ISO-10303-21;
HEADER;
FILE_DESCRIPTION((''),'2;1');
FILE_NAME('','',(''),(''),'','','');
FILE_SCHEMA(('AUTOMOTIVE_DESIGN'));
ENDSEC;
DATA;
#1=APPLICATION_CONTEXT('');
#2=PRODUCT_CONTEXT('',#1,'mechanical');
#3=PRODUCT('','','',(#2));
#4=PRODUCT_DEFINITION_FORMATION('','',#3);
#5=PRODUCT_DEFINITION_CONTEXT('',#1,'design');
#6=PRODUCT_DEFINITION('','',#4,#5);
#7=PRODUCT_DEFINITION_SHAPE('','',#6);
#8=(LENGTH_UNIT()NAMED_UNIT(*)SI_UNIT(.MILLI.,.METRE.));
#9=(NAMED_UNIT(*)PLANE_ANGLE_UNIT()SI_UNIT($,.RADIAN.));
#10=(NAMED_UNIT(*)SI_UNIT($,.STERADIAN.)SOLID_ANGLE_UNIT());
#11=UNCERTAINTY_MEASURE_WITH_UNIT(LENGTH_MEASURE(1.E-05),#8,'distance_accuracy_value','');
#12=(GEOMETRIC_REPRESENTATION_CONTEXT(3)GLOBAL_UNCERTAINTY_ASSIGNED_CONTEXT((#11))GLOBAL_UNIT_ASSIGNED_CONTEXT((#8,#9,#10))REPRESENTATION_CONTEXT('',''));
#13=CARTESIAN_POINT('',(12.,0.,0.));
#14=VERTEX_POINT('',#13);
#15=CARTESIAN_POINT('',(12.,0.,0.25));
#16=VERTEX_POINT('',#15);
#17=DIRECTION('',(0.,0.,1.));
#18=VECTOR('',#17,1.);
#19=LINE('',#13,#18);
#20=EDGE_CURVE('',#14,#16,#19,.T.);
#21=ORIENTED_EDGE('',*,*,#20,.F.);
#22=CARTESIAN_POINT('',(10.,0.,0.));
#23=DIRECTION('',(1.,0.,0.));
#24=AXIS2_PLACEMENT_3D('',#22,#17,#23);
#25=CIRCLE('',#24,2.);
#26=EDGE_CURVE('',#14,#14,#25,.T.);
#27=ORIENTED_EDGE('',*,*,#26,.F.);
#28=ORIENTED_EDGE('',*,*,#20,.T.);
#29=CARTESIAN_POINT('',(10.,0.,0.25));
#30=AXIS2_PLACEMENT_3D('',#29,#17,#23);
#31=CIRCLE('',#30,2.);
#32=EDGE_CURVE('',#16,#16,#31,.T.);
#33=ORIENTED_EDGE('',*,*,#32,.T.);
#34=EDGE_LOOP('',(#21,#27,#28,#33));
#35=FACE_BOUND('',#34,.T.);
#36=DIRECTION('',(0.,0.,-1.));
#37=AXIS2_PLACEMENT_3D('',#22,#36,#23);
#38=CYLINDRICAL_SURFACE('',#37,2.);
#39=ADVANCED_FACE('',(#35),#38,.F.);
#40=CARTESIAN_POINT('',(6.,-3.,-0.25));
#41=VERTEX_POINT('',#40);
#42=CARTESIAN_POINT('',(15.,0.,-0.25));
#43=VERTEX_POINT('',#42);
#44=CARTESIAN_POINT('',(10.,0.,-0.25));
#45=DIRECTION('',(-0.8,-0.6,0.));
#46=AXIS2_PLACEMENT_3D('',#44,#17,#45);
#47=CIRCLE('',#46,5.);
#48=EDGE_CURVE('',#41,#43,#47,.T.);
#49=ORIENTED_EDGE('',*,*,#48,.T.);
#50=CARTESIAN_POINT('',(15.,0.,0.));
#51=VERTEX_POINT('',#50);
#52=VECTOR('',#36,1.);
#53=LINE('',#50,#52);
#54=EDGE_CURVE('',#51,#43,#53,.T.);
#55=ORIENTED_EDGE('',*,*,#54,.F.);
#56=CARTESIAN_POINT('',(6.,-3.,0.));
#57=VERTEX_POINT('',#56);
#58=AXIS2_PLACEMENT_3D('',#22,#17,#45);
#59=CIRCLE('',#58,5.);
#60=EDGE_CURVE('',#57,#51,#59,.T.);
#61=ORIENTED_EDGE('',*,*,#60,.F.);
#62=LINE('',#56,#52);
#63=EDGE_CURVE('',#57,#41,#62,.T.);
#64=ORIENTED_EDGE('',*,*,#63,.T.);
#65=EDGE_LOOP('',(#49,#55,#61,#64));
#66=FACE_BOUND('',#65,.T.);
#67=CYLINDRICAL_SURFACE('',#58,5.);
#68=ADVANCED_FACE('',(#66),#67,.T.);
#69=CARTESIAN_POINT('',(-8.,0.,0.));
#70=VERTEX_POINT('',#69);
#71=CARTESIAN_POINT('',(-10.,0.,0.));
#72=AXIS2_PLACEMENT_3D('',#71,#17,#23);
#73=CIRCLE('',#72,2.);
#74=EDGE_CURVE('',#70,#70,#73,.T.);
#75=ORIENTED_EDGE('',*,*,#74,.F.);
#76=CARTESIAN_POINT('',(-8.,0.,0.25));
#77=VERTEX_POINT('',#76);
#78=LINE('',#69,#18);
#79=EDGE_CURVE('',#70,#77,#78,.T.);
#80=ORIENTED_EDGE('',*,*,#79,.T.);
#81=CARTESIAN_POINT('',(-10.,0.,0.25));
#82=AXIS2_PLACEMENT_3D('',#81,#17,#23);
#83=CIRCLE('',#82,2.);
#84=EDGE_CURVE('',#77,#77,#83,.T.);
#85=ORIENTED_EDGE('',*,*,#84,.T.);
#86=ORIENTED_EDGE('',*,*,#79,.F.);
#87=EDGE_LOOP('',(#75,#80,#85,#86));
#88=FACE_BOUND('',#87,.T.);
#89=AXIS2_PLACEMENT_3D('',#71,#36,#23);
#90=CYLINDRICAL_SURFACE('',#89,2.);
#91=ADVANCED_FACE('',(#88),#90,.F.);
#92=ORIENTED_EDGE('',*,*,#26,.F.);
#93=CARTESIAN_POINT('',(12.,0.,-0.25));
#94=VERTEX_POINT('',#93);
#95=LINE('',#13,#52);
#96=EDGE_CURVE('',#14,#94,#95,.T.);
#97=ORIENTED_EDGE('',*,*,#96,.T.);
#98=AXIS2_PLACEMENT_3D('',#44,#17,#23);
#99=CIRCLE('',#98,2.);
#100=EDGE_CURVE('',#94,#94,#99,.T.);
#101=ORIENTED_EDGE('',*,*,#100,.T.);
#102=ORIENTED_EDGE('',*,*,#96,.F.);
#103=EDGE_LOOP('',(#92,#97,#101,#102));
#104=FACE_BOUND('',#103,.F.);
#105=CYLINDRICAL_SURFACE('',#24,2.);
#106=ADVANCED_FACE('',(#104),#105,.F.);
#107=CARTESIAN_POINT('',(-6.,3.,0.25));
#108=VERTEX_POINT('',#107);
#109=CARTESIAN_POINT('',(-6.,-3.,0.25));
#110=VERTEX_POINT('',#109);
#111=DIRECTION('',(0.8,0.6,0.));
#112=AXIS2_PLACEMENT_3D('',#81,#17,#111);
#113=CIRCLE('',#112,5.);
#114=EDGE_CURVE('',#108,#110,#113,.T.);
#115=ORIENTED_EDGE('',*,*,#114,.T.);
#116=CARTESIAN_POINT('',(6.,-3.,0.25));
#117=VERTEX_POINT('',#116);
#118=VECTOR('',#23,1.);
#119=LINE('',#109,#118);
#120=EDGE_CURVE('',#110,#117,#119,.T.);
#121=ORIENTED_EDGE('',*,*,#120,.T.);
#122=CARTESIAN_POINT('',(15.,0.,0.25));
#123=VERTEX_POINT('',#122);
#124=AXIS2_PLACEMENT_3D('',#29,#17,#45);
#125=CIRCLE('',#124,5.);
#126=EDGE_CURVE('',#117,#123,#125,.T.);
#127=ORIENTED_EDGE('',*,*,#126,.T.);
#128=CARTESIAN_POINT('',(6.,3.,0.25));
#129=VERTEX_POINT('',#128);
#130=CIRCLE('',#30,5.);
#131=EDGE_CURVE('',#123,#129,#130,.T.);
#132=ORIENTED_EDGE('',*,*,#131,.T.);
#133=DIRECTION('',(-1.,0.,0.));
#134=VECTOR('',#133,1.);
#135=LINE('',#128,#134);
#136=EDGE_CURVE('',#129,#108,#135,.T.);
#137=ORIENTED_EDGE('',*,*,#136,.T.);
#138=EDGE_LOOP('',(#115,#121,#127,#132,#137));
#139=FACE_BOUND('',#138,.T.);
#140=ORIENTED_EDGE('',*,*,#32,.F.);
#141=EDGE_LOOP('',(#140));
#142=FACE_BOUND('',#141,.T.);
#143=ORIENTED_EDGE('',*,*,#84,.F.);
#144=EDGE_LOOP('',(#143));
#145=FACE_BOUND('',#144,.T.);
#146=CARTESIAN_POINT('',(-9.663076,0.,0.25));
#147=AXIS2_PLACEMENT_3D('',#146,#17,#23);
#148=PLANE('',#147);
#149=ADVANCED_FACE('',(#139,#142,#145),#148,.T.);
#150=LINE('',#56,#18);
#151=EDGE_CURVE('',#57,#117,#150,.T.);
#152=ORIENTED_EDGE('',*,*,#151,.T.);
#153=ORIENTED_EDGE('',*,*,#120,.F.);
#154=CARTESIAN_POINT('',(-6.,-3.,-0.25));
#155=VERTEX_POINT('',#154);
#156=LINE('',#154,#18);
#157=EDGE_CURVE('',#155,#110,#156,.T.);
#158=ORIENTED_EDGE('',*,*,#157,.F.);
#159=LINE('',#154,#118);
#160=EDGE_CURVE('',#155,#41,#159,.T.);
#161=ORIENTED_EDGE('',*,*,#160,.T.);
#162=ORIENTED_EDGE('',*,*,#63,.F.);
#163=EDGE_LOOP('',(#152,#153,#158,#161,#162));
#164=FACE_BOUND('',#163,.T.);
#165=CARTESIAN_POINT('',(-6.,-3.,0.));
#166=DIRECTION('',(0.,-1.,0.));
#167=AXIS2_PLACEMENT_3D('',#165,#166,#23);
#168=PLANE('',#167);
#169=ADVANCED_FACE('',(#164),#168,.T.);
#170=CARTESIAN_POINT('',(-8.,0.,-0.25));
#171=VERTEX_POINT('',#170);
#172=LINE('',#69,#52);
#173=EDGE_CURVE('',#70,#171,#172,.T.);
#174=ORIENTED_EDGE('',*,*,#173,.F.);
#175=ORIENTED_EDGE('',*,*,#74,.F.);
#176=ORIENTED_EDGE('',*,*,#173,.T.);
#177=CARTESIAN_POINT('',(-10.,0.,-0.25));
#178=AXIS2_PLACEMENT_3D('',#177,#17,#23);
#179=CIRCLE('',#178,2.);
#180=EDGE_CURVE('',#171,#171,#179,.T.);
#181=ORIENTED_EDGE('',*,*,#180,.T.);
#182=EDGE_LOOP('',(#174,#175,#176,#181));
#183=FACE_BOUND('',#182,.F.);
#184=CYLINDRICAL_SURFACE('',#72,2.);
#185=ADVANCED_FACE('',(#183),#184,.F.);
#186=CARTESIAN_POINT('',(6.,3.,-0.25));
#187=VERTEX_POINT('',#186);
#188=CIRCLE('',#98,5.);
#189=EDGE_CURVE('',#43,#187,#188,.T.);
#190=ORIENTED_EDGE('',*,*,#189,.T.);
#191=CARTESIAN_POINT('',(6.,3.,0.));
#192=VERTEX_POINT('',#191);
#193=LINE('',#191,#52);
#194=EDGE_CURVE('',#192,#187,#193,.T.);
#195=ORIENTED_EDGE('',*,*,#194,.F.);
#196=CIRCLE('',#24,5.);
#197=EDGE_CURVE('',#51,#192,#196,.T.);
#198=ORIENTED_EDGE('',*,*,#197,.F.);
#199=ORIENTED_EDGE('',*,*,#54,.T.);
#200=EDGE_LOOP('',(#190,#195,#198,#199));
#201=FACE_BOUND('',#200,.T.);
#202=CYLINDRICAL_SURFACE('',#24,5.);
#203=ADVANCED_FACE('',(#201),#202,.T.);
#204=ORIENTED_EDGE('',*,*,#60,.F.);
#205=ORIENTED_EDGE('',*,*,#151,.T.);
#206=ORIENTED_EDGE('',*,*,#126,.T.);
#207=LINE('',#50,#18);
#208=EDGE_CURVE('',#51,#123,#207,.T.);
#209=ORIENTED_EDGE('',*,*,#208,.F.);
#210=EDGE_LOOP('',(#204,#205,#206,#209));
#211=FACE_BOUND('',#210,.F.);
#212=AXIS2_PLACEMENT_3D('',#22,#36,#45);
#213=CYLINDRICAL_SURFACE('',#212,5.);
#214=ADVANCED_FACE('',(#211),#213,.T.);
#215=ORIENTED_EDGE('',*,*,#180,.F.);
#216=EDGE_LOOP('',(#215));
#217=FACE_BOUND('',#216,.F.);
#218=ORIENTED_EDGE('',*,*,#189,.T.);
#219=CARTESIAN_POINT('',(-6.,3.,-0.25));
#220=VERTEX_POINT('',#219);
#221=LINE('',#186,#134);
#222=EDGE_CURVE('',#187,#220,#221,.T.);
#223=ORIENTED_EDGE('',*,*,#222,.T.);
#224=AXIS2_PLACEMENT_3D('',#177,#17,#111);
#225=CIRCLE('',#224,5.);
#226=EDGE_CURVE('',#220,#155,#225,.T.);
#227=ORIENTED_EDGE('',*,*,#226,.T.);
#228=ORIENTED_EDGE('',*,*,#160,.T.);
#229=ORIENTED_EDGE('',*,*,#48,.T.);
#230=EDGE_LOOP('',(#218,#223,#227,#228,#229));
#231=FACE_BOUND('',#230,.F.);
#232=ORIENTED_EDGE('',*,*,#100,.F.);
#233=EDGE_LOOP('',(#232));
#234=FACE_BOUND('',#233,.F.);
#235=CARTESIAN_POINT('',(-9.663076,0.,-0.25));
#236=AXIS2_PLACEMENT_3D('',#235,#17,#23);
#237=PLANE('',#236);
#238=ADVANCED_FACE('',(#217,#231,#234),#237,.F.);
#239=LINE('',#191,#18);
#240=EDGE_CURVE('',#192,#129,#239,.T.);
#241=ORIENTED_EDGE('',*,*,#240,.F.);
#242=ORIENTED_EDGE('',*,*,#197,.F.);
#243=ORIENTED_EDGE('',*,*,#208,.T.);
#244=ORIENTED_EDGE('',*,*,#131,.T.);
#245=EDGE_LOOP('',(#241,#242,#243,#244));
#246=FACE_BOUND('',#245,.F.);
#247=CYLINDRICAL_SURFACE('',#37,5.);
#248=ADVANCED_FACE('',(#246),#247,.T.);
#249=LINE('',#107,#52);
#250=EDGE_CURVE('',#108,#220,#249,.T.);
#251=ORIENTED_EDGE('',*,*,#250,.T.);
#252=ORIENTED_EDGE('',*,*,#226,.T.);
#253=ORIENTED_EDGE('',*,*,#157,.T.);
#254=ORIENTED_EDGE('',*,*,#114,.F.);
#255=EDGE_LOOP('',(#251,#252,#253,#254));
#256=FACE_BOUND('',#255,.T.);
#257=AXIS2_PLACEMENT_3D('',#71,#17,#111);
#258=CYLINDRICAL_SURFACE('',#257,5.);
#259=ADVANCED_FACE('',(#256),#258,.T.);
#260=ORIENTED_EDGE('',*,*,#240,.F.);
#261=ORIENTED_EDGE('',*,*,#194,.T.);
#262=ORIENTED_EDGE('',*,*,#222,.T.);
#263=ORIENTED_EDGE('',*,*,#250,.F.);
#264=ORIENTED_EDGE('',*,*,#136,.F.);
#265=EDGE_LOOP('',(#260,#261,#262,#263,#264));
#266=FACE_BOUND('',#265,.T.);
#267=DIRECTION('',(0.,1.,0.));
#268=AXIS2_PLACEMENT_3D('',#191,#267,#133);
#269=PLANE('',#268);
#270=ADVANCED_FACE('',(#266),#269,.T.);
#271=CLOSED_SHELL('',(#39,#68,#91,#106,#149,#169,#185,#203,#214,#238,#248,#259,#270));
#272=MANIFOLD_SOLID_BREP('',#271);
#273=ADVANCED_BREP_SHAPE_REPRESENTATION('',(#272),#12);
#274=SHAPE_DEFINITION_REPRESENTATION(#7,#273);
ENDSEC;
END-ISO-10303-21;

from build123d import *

# Parameters (mm, degrees)
F0_R     = 2
F1_DEPTH = 0.25


with BuildPart() as f1:
    # F0 (on Top) → F1 (new body, symmetric)
    with BuildSketch(Plane.XY):
        with BuildLine():
            ThreePointArc((-6, -3), (-5.2565835097, -1.5811388301), (-5, 0))
            ThreePointArc((-5, 0), (-5.2565835097, 1.5811388301), (-6, 3))
            ThreePointArc((-6, 3), (-15, 0), (-6, -3))
        make_face()
        with Locations((-10, 0)):
            Circle(F0_R, mode=Mode.SUBTRACT)
        with BuildLine():
            ThreePointArc((15, 0), (11.5811388301, 4.7434164903), (6, 3))
            ThreePointArc((6, 3), (5, 0), (6, -3))
            ThreePointArc((6, -3), (11.5811388301, -4.7434164903), (15, 0))
        make_face()
        with Locations((10, 0)):
            Circle(F0_R, mode=Mode.SUBTRACT)
        with BuildLine():
            ThreePointArc((-6, 3), (-5.2565835097, 1.5811388301), (-5, 0))
            ThreePointArc((-5, 0), (-5.2565835097, -1.5811388301), (-6, -3))
            Line((-6, -3), (6, -3))
            ThreePointArc((6, -3), (5, 0), (6, 3))
            Line((6, 3), (-6, 3))
        make_face()
    extrude(amount=F1_DEPTH, both=True)


solid = f1.part
